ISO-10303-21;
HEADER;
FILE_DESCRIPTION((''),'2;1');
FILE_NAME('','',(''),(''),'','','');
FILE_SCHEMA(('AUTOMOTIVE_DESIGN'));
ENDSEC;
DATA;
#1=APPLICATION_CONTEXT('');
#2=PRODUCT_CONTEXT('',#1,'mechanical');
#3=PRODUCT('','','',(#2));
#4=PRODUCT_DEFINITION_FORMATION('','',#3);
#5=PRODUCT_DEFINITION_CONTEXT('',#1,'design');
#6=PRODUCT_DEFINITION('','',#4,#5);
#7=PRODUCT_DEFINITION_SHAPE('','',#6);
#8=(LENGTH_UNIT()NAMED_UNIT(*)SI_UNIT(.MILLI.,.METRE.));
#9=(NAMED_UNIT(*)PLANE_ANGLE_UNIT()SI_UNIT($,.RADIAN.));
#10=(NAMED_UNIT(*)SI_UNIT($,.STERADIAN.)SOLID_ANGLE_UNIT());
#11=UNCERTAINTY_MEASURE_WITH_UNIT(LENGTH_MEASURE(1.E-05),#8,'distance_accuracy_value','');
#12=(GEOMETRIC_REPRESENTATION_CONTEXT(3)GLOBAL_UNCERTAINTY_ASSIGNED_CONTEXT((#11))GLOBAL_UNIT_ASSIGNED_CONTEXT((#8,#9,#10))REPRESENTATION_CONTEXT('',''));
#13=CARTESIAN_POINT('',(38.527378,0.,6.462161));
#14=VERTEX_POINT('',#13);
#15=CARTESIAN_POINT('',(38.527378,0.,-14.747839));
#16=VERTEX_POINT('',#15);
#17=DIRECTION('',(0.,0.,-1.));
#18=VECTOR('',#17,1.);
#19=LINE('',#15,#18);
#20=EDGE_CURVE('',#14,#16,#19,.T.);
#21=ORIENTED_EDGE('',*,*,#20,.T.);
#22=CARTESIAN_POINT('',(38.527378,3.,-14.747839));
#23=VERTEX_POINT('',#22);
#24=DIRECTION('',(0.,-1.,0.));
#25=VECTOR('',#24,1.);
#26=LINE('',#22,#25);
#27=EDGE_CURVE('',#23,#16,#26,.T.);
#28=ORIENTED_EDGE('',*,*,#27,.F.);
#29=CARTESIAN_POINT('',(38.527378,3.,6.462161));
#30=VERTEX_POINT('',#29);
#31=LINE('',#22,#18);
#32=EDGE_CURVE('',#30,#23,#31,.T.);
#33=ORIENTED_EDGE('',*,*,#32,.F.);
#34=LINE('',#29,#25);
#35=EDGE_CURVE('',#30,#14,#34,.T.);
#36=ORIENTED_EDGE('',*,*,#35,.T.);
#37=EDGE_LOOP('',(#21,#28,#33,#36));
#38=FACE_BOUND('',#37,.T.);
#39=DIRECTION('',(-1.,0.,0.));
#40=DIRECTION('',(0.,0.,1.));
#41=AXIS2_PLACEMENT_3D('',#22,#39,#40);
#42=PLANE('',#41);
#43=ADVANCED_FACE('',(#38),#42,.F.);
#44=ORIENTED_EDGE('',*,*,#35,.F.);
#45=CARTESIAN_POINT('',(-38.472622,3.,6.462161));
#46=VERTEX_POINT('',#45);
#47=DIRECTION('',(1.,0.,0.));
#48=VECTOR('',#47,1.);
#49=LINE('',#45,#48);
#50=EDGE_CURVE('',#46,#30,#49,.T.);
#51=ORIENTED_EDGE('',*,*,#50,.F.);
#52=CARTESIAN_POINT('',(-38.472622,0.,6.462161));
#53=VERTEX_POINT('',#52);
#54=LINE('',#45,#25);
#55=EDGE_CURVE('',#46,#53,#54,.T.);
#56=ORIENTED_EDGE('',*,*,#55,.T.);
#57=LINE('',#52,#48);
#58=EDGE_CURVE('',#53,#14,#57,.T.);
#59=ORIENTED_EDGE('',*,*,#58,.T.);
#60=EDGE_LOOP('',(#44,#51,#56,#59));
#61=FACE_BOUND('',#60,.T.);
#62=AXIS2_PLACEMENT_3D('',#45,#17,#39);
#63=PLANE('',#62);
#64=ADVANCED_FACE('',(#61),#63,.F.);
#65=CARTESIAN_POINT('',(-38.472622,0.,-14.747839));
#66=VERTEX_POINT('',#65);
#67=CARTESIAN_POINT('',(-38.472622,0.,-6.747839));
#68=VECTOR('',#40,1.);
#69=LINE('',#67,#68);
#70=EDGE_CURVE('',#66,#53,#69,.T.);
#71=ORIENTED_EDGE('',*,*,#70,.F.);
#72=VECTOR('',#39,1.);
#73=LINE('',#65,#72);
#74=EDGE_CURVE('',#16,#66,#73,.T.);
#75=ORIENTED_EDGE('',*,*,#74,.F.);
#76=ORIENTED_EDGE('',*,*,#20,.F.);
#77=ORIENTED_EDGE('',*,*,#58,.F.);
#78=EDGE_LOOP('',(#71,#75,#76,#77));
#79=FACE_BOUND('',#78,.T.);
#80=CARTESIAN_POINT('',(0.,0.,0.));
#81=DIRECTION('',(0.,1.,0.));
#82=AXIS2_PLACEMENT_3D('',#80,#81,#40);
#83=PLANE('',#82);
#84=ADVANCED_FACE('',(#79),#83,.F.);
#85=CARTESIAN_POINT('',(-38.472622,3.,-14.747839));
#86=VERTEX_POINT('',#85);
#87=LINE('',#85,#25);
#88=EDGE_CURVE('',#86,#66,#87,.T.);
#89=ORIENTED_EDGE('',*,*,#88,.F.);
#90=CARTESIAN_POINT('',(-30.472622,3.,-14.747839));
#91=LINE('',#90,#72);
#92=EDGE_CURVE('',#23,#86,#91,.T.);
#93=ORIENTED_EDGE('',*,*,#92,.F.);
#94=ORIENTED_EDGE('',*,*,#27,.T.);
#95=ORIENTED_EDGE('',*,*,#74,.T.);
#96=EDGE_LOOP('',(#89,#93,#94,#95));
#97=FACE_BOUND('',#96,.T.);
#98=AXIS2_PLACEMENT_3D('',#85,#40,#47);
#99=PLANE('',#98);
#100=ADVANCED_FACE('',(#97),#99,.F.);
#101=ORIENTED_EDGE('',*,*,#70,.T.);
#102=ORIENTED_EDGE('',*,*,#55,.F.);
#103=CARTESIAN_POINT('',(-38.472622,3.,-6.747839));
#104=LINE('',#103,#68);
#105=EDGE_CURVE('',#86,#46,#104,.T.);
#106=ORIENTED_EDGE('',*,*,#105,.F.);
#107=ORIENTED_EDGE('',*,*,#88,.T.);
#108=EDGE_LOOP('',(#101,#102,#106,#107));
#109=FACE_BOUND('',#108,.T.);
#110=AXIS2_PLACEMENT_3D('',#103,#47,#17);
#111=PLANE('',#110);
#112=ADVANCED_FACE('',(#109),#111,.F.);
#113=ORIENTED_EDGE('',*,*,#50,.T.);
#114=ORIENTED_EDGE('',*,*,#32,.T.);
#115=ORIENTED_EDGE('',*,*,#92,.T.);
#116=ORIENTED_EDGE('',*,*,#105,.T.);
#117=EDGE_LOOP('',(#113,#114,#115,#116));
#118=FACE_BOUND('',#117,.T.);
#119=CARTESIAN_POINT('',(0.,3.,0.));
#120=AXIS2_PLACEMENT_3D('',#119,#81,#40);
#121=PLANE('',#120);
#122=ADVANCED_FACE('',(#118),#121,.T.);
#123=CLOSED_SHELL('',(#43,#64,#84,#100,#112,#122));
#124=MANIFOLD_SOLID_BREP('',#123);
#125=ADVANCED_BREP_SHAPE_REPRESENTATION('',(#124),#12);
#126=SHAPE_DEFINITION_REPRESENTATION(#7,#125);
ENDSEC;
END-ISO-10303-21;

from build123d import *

# Parameters (mm, degrees)
BOSS_EXTRUDE1_DEPTH = 3


with BuildPart() as part:
    # Sketch1 → Boss-Extrude1 (new body)
    with BuildSketch(Plane(origin=(0, 0, 0), x_dir=(1, 0, 0), z_dir=(0, 1, 0))):
        Polygon((-38.472622478, 6.747838617), (-38.472622478, 14.747838617), (-30.472622478, 14.747838617), (38.527377522, 14.747838617), (38.527377522, -6.462161383), (-38.472622478, -6.462161383), align=None)
    extrude(amount=BOSS_EXTRUDE1_DEPTH)


solid = part.part
